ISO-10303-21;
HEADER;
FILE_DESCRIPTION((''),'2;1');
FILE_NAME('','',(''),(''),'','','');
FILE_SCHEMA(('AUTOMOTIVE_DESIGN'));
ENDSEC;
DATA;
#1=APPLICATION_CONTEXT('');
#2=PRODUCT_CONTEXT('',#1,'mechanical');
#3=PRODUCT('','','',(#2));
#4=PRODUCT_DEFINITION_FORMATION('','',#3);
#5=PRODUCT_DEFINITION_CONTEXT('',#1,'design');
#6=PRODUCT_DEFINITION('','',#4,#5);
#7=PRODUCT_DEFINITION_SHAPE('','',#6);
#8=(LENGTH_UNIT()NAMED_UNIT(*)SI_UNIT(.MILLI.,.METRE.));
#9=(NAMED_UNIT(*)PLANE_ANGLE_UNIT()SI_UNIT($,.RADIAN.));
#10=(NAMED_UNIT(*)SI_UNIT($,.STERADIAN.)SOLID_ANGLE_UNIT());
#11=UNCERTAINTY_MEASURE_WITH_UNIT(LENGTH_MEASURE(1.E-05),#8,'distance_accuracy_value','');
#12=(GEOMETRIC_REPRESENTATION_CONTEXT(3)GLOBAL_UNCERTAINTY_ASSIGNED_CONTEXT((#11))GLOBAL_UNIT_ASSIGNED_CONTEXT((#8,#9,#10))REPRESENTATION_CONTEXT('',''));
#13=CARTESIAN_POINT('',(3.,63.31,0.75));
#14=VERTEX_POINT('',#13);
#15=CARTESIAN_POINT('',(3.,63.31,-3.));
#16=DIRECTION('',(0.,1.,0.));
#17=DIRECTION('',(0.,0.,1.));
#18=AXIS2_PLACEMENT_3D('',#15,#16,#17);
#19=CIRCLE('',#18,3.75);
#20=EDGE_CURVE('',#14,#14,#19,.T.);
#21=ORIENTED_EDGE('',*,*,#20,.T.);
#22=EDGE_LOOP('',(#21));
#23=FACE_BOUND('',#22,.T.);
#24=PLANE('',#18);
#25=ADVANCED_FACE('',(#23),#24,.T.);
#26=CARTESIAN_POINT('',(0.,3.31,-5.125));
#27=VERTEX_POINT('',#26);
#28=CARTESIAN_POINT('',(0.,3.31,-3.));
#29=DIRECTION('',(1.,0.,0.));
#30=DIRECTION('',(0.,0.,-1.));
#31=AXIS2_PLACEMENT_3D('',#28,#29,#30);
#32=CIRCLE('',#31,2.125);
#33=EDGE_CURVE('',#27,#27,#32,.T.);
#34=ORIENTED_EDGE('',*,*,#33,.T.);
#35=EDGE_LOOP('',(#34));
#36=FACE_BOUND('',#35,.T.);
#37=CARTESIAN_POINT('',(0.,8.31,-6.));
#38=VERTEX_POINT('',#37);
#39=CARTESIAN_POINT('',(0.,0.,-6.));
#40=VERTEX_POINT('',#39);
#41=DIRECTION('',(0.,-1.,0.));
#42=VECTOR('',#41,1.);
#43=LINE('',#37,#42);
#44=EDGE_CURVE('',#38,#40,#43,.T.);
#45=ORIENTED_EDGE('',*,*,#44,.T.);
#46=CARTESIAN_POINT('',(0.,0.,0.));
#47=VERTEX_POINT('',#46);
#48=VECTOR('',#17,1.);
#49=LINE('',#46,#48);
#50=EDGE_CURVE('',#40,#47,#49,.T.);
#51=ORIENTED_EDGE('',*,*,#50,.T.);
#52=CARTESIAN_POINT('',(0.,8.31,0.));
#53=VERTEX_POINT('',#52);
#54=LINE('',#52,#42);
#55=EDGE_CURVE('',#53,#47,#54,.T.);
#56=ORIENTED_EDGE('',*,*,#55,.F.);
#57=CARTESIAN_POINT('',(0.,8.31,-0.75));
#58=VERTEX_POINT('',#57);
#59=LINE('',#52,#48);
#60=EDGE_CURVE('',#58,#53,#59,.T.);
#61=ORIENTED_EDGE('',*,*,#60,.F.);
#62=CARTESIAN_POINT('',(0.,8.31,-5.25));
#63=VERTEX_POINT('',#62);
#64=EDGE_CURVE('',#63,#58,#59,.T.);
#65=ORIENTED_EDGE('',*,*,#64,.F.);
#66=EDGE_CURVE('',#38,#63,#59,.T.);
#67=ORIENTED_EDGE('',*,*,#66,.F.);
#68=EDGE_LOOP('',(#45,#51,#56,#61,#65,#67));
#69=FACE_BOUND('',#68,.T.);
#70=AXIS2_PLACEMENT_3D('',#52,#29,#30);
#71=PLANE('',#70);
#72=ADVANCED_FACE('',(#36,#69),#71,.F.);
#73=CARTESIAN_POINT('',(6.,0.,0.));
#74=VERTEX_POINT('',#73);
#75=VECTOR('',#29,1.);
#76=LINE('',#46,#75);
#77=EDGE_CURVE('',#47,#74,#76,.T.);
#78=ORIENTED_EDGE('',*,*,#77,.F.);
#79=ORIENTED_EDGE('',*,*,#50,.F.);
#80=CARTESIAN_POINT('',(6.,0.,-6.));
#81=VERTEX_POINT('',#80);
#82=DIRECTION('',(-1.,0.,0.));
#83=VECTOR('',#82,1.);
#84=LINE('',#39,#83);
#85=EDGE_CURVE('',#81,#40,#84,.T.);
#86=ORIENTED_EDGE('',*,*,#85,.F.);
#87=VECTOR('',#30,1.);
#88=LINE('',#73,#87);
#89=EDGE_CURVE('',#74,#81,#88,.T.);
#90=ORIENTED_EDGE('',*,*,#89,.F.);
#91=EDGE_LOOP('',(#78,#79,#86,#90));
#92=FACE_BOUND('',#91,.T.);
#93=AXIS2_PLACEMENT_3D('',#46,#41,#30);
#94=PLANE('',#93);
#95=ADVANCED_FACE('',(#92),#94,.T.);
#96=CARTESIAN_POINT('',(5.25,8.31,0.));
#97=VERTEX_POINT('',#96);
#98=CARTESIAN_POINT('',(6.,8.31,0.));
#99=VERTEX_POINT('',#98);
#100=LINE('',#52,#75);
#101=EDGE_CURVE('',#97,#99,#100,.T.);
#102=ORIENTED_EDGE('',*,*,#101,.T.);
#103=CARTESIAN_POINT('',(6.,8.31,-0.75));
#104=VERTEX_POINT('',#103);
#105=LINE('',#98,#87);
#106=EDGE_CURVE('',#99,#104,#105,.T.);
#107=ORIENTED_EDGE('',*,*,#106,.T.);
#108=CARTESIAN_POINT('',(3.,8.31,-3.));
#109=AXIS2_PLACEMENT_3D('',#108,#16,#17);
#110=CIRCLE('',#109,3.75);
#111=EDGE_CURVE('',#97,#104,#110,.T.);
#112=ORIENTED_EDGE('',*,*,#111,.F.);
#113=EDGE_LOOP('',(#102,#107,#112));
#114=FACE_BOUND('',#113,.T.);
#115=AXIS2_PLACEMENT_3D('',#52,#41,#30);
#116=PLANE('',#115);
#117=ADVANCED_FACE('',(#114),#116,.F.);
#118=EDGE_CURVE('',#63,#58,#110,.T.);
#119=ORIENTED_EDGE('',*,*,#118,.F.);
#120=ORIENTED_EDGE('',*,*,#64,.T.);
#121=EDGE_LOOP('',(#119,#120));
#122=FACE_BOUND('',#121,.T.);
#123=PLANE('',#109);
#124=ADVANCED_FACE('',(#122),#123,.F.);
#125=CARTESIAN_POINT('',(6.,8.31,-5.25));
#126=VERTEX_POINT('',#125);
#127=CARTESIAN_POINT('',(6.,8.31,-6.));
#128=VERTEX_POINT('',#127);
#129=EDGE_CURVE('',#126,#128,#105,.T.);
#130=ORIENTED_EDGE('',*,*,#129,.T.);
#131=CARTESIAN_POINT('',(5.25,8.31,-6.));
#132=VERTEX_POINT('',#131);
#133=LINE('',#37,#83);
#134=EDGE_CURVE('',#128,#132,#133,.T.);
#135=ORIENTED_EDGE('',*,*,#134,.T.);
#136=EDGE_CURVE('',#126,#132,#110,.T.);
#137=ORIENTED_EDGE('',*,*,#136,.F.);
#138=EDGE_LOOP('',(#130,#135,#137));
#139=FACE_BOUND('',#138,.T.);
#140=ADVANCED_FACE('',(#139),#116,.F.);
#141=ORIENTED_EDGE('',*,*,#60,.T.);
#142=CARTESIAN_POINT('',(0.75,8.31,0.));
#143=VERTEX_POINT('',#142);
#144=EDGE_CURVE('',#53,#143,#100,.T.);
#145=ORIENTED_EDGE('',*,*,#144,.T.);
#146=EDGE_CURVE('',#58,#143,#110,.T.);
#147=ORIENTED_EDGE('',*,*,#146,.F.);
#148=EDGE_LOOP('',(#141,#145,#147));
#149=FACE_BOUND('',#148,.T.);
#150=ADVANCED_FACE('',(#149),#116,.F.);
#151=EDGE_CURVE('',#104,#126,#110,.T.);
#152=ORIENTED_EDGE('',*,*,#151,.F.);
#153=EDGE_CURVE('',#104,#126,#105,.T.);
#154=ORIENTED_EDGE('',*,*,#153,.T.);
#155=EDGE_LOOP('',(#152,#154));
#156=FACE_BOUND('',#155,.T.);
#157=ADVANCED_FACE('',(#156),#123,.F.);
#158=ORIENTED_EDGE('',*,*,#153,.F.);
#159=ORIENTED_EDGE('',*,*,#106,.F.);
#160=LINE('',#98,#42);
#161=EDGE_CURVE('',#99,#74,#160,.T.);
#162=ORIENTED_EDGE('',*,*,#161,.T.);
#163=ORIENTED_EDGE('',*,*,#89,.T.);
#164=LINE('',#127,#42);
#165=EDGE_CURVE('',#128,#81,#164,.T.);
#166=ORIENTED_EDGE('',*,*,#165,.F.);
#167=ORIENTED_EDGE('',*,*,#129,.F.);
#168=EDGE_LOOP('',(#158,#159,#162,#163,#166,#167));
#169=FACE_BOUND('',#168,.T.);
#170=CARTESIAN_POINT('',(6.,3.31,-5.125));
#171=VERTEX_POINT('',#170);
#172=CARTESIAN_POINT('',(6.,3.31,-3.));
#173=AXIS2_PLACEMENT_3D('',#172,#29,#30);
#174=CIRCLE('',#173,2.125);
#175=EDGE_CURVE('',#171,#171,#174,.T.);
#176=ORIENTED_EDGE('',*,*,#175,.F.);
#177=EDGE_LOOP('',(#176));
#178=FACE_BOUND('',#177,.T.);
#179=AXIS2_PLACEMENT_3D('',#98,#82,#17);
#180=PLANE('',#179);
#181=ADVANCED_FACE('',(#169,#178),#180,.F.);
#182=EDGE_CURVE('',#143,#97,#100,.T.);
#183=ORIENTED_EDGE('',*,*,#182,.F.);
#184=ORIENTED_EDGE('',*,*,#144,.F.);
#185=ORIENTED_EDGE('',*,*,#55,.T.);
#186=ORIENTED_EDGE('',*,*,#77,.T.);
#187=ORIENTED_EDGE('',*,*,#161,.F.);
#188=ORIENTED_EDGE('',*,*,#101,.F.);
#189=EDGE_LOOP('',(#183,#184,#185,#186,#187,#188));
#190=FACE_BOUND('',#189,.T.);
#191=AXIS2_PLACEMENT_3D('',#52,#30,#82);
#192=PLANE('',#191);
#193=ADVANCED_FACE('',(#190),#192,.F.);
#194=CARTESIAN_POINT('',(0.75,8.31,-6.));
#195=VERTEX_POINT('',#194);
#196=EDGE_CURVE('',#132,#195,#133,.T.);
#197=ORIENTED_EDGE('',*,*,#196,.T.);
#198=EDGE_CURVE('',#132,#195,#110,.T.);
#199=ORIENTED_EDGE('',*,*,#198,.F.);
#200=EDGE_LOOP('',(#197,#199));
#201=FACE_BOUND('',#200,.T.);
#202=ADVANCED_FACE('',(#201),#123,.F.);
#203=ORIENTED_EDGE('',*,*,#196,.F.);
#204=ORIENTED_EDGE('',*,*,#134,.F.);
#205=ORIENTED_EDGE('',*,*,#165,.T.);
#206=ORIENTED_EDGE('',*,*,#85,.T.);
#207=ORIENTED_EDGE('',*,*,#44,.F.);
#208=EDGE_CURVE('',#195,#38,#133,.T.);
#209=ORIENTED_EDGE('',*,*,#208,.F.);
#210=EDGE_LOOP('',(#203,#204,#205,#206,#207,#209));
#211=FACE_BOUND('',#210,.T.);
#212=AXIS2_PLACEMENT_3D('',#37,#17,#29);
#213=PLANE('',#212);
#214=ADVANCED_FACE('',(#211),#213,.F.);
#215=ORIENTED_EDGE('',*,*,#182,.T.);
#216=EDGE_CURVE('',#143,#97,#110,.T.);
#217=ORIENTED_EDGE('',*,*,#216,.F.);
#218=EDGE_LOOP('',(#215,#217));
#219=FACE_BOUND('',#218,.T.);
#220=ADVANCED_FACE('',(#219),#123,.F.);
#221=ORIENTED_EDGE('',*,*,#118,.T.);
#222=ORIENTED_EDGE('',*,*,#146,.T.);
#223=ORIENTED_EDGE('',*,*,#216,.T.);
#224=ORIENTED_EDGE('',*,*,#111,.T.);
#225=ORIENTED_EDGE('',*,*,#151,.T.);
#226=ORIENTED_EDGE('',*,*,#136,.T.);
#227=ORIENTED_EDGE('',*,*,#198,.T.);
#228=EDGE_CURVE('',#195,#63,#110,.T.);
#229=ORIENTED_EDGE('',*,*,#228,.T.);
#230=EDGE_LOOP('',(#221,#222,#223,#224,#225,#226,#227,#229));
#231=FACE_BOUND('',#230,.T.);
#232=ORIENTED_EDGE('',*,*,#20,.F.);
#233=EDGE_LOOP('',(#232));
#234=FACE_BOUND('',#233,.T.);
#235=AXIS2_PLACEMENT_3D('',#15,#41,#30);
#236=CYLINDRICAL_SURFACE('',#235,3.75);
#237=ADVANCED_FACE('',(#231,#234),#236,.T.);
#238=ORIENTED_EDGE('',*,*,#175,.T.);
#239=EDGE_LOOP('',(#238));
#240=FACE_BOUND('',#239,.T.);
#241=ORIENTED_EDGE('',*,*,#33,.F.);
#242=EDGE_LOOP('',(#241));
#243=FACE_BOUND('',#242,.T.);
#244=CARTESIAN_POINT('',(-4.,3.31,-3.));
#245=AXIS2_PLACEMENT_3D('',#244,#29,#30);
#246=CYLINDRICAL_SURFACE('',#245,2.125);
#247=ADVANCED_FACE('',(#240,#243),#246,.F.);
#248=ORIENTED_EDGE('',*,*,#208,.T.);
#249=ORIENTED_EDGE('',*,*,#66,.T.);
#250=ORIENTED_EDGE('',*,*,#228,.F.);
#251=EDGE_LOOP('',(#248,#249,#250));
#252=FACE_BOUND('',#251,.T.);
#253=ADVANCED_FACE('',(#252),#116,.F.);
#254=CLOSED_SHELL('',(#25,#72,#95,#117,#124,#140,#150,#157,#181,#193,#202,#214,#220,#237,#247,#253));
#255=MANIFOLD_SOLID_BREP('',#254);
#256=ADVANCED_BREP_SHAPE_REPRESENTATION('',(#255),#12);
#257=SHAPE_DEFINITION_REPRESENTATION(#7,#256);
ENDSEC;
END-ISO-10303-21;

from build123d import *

# Parameters (mm, degrees)
SKETCH1_W           = 6
SKETCH1_H           = 6
BOSS_EXTRUDE1_DEPTH = 8.31
SKETCH2_R           = 2.125
CUT_EXTRUDE1_DEPTH  = 10
SKETCH3_R           = 3.75
BOSS_EXTRUDE2_DEPTH = 55


with BuildPart() as part:
    # Sketch1 → Boss-Extrude1 (new body)
    with BuildSketch(Plane(origin=(0, 0, 0), x_dir=(1, 0, 0), z_dir=(0, 1, 0))):
        with Locations((3, 3)):
            Rectangle(SKETCH1_W, SKETCH1_H)
    extrude(amount=BOSS_EXTRUDE1_DEPTH)

    # Sketch2 → Cut-Extrude1 (cut)
    with BuildSketch(Plane(origin=(6, 0, 0), x_dir=(0, 0, -1), z_dir=(1, 0, 0))):
        with Locations((3, 3.31)):
            Circle(SKETCH2_R)
    extrude(amount=-CUT_EXTRUDE1_DEPTH, mode=Mode.SUBTRACT)

    # Sketch3 → Boss-Extrude2 (add)
    with BuildSketch(Plane(origin=(0, 8.31, 0), x_dir=(1, 0, 0), z_dir=(0, 1, 0))):
        with Locations((3, 3)):
            Circle(SKETCH3_R)
    extrude(amount=BOSS_EXTRUDE2_DEPTH)


solid = part.part
